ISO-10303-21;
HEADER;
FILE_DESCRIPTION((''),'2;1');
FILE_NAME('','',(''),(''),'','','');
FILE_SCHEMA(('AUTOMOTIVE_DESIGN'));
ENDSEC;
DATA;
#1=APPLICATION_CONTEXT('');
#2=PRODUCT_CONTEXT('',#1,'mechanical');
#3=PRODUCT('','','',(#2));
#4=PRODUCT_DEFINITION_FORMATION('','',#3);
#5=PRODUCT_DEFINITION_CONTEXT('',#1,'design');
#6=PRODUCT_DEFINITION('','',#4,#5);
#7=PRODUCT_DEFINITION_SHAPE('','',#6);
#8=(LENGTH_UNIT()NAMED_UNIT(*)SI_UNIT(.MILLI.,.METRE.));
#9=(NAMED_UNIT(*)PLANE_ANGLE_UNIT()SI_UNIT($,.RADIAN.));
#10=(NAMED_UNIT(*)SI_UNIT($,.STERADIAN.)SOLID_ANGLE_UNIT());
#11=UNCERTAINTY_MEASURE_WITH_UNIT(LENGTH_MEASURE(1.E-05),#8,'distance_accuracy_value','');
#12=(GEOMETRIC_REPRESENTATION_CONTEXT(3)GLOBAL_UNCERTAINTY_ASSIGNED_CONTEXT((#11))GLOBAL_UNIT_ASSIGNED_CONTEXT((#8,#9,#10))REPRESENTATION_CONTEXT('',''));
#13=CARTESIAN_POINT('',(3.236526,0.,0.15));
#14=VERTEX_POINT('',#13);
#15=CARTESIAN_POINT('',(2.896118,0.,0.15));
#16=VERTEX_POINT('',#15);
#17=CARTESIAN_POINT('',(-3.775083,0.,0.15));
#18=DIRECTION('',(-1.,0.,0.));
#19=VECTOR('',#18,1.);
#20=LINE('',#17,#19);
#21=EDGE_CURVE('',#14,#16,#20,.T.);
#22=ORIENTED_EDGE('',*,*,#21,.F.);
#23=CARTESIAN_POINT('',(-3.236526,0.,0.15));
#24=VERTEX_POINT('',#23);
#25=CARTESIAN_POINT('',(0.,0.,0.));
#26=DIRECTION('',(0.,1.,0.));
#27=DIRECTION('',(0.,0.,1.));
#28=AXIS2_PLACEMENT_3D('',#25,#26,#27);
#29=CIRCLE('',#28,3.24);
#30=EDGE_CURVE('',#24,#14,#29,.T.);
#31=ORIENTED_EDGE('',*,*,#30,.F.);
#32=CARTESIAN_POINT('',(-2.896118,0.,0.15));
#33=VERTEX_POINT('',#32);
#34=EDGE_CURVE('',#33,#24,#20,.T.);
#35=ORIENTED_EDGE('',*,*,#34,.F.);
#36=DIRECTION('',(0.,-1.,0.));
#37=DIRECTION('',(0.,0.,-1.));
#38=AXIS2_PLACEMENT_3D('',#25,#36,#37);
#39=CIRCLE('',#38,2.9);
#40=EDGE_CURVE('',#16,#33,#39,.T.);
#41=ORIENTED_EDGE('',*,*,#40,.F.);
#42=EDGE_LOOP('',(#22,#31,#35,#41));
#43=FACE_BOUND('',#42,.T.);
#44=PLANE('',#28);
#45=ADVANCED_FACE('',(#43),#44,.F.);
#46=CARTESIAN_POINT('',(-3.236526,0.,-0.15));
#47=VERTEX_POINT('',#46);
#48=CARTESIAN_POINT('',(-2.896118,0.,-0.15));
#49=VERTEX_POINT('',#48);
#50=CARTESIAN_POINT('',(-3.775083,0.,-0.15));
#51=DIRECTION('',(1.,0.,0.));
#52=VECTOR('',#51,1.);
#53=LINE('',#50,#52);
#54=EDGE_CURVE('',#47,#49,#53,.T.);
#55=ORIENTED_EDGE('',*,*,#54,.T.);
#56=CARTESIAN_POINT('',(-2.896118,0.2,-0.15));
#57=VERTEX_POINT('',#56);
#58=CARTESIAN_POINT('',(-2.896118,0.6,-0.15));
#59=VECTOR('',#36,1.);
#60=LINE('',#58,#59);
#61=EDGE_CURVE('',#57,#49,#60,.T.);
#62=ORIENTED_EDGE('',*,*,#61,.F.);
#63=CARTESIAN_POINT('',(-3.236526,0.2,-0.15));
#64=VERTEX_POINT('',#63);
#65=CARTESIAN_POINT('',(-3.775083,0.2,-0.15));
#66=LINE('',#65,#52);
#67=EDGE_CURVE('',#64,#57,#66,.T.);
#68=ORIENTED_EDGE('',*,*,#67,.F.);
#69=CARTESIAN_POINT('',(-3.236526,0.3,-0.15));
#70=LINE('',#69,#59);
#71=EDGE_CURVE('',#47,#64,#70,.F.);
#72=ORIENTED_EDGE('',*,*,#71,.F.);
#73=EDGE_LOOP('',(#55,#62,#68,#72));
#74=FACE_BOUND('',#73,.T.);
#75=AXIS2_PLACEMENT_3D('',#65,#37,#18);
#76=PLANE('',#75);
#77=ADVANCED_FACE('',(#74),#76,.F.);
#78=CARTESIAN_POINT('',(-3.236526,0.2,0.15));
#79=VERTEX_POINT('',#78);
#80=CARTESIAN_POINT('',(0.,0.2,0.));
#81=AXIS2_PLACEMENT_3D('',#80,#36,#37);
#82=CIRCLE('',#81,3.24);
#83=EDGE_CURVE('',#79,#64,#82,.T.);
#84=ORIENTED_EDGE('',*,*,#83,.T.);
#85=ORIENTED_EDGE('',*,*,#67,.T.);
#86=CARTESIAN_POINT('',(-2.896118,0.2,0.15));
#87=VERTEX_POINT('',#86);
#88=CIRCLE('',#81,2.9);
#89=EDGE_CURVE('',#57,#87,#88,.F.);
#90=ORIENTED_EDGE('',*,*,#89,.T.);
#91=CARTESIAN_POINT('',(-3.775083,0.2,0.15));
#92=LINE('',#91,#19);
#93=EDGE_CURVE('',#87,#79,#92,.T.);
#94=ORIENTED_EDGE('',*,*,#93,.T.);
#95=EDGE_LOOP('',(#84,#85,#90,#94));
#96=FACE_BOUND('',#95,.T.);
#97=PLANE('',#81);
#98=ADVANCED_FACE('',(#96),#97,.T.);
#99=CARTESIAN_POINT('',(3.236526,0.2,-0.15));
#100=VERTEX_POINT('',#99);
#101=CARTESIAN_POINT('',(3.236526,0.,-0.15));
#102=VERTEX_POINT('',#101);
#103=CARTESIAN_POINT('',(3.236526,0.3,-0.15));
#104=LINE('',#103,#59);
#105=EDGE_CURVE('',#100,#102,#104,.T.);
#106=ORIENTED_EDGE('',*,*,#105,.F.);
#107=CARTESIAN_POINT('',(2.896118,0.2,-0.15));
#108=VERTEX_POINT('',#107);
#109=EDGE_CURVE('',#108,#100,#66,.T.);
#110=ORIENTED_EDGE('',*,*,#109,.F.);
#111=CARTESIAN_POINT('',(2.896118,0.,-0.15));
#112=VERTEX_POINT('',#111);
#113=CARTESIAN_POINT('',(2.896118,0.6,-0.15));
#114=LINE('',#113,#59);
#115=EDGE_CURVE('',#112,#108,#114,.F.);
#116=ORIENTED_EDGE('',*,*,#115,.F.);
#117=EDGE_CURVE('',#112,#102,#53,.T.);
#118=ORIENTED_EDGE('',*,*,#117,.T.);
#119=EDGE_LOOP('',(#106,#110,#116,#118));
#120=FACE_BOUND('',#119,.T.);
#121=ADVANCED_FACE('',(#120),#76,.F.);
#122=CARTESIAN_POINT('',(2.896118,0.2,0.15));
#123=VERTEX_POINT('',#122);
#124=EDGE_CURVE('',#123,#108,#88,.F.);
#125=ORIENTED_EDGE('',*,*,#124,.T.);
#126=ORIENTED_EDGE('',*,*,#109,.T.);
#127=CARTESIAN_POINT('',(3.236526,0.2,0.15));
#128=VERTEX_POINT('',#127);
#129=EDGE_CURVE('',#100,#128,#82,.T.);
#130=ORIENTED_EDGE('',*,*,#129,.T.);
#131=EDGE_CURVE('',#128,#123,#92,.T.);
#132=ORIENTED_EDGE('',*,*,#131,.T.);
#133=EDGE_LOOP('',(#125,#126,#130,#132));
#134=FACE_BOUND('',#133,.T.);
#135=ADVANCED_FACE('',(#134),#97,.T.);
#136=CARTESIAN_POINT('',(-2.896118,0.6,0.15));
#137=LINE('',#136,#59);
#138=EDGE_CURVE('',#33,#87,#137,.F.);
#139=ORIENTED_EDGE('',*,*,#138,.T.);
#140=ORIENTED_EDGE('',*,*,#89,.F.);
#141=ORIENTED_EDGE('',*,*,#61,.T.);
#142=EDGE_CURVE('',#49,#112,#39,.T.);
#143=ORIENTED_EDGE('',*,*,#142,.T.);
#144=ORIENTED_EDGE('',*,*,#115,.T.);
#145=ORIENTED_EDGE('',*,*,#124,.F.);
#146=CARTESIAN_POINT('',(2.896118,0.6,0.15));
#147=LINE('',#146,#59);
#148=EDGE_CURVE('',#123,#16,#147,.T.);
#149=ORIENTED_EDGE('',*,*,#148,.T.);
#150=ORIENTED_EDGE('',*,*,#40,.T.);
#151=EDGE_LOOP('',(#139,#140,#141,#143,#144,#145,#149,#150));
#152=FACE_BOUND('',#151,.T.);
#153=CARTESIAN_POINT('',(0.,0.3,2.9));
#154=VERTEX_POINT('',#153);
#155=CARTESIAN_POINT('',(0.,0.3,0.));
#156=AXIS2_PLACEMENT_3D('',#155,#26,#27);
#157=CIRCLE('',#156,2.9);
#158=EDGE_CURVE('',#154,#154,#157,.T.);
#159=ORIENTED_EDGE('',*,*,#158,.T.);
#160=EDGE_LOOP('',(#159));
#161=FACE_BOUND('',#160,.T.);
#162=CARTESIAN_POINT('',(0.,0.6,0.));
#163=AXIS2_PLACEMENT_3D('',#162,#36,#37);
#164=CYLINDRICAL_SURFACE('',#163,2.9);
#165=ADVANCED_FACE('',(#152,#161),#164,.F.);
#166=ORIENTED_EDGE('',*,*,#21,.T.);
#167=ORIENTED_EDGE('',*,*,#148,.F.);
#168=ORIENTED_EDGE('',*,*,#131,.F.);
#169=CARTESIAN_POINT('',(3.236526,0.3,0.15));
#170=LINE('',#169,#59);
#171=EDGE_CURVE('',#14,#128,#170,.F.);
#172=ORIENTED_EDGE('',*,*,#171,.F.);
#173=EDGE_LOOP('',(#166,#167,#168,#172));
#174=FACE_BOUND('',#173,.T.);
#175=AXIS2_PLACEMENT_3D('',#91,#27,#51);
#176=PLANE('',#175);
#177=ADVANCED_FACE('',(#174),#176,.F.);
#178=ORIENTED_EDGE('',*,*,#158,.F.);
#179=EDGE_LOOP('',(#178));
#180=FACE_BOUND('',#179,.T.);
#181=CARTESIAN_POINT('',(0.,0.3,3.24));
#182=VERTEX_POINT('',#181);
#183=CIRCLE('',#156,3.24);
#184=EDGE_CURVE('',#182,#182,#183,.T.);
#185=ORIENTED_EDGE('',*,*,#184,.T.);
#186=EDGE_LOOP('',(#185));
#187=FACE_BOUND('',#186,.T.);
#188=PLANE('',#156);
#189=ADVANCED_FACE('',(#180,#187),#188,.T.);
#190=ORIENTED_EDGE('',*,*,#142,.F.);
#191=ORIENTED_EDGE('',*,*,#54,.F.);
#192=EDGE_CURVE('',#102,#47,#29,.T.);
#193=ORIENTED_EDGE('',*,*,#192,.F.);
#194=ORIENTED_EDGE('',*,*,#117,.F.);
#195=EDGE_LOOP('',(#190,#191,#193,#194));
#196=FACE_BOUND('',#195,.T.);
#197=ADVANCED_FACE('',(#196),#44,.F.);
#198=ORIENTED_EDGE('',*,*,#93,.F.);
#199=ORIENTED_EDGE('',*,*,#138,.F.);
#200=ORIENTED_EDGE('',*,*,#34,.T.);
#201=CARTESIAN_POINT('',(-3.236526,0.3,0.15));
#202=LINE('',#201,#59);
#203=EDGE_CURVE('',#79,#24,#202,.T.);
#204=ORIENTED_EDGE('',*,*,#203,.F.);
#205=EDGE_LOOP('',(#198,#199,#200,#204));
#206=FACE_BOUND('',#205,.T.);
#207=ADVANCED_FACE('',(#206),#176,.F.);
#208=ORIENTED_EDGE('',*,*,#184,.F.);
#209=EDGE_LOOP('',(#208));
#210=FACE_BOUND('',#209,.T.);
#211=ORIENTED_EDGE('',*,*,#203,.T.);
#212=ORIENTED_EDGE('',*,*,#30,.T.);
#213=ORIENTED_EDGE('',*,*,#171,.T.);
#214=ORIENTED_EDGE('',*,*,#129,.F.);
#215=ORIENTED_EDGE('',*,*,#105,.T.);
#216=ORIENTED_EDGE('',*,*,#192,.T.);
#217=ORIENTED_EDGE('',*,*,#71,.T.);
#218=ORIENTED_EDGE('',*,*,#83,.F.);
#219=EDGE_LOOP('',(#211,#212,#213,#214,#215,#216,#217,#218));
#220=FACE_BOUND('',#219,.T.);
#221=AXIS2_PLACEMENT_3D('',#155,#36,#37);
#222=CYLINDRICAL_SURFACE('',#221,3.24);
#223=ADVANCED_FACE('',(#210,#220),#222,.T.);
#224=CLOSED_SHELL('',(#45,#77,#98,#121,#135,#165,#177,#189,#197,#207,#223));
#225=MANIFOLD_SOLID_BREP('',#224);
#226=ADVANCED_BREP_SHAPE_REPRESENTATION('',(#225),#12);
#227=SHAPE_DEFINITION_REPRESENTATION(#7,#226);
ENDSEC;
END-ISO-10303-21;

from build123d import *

# Parameters (mm, degrees)
SKETCH_2_R          = 3.24
EXTRUDE_2_DEPTH     = 0.3
CUT_EXTRUDE_1_DEPTH = 0.6
SKETCH_4_W          = 7.550166352
SKETCH_4_H          = 0.3
CUT_EXTRUDE_2_DEPTH = 0.2


with BuildPart() as part:
    # Эскиз2 → Бобышка-Вытянуть2 (new body)
    with BuildSketch(Plane(origin=(0, 0, 0), x_dir=(1, 0, 0), z_dir=(0, 1, 0))):
        with Locations(Location((0, 0, 0), (0, 0, 270))):
            Circle(SKETCH_2_R)
    extrude(amount=EXTRUDE_2_DEPTH)

    # Эскиз3 → Вырез-Вытянуть1 (cut)
    with BuildSketch(Plane.XZ):
        with BuildLine():
            Line((-2.896118092, 0.15), (2.896118092, 0.15))
            ThreePointArc((2.896118092, 0.15), (0, 2.9), (-2.896118092, 0.15))
        make_face()
        with BuildLine():
            Line((-2.896118092, -0.15), (2.896118092, -0.15))
            ThreePointArc((2.896118092, -0.15), (2.89902936, -0.075025111), (2.9, 0))
            ThreePointArc((2.9, 0), (2.89902936, 0.075025111), (2.896118092, 0.15))
            Line((2.896118092, 0.15), (-2.896118092, 0.15))
            ThreePointArc((-2.896118092, 0.15), (-2.9, 0), (-2.896118092, -0.15))
        make_face()
        with BuildLine():
            ThreePointArc((-2.896118092, -0.15), (0, -2.9), (2.896118092, -0.15))
            Line((2.896118092, -0.15), (-2.896118092, -0.15))
        make_face()
    extrude(amount=-CUT_EXTRUDE_1_DEPTH, mode=Mode.SUBTRACT)

    # Эскиз4 → Вырез-Вытянуть2 (cut)
    with BuildSketch(Plane.XZ):
        Rectangle(SKETCH_4_W, SKETCH_4_H)
    extrude(amount=-CUT_EXTRUDE_2_DEPTH, mode=Mode.SUBTRACT)


solid = part.part
